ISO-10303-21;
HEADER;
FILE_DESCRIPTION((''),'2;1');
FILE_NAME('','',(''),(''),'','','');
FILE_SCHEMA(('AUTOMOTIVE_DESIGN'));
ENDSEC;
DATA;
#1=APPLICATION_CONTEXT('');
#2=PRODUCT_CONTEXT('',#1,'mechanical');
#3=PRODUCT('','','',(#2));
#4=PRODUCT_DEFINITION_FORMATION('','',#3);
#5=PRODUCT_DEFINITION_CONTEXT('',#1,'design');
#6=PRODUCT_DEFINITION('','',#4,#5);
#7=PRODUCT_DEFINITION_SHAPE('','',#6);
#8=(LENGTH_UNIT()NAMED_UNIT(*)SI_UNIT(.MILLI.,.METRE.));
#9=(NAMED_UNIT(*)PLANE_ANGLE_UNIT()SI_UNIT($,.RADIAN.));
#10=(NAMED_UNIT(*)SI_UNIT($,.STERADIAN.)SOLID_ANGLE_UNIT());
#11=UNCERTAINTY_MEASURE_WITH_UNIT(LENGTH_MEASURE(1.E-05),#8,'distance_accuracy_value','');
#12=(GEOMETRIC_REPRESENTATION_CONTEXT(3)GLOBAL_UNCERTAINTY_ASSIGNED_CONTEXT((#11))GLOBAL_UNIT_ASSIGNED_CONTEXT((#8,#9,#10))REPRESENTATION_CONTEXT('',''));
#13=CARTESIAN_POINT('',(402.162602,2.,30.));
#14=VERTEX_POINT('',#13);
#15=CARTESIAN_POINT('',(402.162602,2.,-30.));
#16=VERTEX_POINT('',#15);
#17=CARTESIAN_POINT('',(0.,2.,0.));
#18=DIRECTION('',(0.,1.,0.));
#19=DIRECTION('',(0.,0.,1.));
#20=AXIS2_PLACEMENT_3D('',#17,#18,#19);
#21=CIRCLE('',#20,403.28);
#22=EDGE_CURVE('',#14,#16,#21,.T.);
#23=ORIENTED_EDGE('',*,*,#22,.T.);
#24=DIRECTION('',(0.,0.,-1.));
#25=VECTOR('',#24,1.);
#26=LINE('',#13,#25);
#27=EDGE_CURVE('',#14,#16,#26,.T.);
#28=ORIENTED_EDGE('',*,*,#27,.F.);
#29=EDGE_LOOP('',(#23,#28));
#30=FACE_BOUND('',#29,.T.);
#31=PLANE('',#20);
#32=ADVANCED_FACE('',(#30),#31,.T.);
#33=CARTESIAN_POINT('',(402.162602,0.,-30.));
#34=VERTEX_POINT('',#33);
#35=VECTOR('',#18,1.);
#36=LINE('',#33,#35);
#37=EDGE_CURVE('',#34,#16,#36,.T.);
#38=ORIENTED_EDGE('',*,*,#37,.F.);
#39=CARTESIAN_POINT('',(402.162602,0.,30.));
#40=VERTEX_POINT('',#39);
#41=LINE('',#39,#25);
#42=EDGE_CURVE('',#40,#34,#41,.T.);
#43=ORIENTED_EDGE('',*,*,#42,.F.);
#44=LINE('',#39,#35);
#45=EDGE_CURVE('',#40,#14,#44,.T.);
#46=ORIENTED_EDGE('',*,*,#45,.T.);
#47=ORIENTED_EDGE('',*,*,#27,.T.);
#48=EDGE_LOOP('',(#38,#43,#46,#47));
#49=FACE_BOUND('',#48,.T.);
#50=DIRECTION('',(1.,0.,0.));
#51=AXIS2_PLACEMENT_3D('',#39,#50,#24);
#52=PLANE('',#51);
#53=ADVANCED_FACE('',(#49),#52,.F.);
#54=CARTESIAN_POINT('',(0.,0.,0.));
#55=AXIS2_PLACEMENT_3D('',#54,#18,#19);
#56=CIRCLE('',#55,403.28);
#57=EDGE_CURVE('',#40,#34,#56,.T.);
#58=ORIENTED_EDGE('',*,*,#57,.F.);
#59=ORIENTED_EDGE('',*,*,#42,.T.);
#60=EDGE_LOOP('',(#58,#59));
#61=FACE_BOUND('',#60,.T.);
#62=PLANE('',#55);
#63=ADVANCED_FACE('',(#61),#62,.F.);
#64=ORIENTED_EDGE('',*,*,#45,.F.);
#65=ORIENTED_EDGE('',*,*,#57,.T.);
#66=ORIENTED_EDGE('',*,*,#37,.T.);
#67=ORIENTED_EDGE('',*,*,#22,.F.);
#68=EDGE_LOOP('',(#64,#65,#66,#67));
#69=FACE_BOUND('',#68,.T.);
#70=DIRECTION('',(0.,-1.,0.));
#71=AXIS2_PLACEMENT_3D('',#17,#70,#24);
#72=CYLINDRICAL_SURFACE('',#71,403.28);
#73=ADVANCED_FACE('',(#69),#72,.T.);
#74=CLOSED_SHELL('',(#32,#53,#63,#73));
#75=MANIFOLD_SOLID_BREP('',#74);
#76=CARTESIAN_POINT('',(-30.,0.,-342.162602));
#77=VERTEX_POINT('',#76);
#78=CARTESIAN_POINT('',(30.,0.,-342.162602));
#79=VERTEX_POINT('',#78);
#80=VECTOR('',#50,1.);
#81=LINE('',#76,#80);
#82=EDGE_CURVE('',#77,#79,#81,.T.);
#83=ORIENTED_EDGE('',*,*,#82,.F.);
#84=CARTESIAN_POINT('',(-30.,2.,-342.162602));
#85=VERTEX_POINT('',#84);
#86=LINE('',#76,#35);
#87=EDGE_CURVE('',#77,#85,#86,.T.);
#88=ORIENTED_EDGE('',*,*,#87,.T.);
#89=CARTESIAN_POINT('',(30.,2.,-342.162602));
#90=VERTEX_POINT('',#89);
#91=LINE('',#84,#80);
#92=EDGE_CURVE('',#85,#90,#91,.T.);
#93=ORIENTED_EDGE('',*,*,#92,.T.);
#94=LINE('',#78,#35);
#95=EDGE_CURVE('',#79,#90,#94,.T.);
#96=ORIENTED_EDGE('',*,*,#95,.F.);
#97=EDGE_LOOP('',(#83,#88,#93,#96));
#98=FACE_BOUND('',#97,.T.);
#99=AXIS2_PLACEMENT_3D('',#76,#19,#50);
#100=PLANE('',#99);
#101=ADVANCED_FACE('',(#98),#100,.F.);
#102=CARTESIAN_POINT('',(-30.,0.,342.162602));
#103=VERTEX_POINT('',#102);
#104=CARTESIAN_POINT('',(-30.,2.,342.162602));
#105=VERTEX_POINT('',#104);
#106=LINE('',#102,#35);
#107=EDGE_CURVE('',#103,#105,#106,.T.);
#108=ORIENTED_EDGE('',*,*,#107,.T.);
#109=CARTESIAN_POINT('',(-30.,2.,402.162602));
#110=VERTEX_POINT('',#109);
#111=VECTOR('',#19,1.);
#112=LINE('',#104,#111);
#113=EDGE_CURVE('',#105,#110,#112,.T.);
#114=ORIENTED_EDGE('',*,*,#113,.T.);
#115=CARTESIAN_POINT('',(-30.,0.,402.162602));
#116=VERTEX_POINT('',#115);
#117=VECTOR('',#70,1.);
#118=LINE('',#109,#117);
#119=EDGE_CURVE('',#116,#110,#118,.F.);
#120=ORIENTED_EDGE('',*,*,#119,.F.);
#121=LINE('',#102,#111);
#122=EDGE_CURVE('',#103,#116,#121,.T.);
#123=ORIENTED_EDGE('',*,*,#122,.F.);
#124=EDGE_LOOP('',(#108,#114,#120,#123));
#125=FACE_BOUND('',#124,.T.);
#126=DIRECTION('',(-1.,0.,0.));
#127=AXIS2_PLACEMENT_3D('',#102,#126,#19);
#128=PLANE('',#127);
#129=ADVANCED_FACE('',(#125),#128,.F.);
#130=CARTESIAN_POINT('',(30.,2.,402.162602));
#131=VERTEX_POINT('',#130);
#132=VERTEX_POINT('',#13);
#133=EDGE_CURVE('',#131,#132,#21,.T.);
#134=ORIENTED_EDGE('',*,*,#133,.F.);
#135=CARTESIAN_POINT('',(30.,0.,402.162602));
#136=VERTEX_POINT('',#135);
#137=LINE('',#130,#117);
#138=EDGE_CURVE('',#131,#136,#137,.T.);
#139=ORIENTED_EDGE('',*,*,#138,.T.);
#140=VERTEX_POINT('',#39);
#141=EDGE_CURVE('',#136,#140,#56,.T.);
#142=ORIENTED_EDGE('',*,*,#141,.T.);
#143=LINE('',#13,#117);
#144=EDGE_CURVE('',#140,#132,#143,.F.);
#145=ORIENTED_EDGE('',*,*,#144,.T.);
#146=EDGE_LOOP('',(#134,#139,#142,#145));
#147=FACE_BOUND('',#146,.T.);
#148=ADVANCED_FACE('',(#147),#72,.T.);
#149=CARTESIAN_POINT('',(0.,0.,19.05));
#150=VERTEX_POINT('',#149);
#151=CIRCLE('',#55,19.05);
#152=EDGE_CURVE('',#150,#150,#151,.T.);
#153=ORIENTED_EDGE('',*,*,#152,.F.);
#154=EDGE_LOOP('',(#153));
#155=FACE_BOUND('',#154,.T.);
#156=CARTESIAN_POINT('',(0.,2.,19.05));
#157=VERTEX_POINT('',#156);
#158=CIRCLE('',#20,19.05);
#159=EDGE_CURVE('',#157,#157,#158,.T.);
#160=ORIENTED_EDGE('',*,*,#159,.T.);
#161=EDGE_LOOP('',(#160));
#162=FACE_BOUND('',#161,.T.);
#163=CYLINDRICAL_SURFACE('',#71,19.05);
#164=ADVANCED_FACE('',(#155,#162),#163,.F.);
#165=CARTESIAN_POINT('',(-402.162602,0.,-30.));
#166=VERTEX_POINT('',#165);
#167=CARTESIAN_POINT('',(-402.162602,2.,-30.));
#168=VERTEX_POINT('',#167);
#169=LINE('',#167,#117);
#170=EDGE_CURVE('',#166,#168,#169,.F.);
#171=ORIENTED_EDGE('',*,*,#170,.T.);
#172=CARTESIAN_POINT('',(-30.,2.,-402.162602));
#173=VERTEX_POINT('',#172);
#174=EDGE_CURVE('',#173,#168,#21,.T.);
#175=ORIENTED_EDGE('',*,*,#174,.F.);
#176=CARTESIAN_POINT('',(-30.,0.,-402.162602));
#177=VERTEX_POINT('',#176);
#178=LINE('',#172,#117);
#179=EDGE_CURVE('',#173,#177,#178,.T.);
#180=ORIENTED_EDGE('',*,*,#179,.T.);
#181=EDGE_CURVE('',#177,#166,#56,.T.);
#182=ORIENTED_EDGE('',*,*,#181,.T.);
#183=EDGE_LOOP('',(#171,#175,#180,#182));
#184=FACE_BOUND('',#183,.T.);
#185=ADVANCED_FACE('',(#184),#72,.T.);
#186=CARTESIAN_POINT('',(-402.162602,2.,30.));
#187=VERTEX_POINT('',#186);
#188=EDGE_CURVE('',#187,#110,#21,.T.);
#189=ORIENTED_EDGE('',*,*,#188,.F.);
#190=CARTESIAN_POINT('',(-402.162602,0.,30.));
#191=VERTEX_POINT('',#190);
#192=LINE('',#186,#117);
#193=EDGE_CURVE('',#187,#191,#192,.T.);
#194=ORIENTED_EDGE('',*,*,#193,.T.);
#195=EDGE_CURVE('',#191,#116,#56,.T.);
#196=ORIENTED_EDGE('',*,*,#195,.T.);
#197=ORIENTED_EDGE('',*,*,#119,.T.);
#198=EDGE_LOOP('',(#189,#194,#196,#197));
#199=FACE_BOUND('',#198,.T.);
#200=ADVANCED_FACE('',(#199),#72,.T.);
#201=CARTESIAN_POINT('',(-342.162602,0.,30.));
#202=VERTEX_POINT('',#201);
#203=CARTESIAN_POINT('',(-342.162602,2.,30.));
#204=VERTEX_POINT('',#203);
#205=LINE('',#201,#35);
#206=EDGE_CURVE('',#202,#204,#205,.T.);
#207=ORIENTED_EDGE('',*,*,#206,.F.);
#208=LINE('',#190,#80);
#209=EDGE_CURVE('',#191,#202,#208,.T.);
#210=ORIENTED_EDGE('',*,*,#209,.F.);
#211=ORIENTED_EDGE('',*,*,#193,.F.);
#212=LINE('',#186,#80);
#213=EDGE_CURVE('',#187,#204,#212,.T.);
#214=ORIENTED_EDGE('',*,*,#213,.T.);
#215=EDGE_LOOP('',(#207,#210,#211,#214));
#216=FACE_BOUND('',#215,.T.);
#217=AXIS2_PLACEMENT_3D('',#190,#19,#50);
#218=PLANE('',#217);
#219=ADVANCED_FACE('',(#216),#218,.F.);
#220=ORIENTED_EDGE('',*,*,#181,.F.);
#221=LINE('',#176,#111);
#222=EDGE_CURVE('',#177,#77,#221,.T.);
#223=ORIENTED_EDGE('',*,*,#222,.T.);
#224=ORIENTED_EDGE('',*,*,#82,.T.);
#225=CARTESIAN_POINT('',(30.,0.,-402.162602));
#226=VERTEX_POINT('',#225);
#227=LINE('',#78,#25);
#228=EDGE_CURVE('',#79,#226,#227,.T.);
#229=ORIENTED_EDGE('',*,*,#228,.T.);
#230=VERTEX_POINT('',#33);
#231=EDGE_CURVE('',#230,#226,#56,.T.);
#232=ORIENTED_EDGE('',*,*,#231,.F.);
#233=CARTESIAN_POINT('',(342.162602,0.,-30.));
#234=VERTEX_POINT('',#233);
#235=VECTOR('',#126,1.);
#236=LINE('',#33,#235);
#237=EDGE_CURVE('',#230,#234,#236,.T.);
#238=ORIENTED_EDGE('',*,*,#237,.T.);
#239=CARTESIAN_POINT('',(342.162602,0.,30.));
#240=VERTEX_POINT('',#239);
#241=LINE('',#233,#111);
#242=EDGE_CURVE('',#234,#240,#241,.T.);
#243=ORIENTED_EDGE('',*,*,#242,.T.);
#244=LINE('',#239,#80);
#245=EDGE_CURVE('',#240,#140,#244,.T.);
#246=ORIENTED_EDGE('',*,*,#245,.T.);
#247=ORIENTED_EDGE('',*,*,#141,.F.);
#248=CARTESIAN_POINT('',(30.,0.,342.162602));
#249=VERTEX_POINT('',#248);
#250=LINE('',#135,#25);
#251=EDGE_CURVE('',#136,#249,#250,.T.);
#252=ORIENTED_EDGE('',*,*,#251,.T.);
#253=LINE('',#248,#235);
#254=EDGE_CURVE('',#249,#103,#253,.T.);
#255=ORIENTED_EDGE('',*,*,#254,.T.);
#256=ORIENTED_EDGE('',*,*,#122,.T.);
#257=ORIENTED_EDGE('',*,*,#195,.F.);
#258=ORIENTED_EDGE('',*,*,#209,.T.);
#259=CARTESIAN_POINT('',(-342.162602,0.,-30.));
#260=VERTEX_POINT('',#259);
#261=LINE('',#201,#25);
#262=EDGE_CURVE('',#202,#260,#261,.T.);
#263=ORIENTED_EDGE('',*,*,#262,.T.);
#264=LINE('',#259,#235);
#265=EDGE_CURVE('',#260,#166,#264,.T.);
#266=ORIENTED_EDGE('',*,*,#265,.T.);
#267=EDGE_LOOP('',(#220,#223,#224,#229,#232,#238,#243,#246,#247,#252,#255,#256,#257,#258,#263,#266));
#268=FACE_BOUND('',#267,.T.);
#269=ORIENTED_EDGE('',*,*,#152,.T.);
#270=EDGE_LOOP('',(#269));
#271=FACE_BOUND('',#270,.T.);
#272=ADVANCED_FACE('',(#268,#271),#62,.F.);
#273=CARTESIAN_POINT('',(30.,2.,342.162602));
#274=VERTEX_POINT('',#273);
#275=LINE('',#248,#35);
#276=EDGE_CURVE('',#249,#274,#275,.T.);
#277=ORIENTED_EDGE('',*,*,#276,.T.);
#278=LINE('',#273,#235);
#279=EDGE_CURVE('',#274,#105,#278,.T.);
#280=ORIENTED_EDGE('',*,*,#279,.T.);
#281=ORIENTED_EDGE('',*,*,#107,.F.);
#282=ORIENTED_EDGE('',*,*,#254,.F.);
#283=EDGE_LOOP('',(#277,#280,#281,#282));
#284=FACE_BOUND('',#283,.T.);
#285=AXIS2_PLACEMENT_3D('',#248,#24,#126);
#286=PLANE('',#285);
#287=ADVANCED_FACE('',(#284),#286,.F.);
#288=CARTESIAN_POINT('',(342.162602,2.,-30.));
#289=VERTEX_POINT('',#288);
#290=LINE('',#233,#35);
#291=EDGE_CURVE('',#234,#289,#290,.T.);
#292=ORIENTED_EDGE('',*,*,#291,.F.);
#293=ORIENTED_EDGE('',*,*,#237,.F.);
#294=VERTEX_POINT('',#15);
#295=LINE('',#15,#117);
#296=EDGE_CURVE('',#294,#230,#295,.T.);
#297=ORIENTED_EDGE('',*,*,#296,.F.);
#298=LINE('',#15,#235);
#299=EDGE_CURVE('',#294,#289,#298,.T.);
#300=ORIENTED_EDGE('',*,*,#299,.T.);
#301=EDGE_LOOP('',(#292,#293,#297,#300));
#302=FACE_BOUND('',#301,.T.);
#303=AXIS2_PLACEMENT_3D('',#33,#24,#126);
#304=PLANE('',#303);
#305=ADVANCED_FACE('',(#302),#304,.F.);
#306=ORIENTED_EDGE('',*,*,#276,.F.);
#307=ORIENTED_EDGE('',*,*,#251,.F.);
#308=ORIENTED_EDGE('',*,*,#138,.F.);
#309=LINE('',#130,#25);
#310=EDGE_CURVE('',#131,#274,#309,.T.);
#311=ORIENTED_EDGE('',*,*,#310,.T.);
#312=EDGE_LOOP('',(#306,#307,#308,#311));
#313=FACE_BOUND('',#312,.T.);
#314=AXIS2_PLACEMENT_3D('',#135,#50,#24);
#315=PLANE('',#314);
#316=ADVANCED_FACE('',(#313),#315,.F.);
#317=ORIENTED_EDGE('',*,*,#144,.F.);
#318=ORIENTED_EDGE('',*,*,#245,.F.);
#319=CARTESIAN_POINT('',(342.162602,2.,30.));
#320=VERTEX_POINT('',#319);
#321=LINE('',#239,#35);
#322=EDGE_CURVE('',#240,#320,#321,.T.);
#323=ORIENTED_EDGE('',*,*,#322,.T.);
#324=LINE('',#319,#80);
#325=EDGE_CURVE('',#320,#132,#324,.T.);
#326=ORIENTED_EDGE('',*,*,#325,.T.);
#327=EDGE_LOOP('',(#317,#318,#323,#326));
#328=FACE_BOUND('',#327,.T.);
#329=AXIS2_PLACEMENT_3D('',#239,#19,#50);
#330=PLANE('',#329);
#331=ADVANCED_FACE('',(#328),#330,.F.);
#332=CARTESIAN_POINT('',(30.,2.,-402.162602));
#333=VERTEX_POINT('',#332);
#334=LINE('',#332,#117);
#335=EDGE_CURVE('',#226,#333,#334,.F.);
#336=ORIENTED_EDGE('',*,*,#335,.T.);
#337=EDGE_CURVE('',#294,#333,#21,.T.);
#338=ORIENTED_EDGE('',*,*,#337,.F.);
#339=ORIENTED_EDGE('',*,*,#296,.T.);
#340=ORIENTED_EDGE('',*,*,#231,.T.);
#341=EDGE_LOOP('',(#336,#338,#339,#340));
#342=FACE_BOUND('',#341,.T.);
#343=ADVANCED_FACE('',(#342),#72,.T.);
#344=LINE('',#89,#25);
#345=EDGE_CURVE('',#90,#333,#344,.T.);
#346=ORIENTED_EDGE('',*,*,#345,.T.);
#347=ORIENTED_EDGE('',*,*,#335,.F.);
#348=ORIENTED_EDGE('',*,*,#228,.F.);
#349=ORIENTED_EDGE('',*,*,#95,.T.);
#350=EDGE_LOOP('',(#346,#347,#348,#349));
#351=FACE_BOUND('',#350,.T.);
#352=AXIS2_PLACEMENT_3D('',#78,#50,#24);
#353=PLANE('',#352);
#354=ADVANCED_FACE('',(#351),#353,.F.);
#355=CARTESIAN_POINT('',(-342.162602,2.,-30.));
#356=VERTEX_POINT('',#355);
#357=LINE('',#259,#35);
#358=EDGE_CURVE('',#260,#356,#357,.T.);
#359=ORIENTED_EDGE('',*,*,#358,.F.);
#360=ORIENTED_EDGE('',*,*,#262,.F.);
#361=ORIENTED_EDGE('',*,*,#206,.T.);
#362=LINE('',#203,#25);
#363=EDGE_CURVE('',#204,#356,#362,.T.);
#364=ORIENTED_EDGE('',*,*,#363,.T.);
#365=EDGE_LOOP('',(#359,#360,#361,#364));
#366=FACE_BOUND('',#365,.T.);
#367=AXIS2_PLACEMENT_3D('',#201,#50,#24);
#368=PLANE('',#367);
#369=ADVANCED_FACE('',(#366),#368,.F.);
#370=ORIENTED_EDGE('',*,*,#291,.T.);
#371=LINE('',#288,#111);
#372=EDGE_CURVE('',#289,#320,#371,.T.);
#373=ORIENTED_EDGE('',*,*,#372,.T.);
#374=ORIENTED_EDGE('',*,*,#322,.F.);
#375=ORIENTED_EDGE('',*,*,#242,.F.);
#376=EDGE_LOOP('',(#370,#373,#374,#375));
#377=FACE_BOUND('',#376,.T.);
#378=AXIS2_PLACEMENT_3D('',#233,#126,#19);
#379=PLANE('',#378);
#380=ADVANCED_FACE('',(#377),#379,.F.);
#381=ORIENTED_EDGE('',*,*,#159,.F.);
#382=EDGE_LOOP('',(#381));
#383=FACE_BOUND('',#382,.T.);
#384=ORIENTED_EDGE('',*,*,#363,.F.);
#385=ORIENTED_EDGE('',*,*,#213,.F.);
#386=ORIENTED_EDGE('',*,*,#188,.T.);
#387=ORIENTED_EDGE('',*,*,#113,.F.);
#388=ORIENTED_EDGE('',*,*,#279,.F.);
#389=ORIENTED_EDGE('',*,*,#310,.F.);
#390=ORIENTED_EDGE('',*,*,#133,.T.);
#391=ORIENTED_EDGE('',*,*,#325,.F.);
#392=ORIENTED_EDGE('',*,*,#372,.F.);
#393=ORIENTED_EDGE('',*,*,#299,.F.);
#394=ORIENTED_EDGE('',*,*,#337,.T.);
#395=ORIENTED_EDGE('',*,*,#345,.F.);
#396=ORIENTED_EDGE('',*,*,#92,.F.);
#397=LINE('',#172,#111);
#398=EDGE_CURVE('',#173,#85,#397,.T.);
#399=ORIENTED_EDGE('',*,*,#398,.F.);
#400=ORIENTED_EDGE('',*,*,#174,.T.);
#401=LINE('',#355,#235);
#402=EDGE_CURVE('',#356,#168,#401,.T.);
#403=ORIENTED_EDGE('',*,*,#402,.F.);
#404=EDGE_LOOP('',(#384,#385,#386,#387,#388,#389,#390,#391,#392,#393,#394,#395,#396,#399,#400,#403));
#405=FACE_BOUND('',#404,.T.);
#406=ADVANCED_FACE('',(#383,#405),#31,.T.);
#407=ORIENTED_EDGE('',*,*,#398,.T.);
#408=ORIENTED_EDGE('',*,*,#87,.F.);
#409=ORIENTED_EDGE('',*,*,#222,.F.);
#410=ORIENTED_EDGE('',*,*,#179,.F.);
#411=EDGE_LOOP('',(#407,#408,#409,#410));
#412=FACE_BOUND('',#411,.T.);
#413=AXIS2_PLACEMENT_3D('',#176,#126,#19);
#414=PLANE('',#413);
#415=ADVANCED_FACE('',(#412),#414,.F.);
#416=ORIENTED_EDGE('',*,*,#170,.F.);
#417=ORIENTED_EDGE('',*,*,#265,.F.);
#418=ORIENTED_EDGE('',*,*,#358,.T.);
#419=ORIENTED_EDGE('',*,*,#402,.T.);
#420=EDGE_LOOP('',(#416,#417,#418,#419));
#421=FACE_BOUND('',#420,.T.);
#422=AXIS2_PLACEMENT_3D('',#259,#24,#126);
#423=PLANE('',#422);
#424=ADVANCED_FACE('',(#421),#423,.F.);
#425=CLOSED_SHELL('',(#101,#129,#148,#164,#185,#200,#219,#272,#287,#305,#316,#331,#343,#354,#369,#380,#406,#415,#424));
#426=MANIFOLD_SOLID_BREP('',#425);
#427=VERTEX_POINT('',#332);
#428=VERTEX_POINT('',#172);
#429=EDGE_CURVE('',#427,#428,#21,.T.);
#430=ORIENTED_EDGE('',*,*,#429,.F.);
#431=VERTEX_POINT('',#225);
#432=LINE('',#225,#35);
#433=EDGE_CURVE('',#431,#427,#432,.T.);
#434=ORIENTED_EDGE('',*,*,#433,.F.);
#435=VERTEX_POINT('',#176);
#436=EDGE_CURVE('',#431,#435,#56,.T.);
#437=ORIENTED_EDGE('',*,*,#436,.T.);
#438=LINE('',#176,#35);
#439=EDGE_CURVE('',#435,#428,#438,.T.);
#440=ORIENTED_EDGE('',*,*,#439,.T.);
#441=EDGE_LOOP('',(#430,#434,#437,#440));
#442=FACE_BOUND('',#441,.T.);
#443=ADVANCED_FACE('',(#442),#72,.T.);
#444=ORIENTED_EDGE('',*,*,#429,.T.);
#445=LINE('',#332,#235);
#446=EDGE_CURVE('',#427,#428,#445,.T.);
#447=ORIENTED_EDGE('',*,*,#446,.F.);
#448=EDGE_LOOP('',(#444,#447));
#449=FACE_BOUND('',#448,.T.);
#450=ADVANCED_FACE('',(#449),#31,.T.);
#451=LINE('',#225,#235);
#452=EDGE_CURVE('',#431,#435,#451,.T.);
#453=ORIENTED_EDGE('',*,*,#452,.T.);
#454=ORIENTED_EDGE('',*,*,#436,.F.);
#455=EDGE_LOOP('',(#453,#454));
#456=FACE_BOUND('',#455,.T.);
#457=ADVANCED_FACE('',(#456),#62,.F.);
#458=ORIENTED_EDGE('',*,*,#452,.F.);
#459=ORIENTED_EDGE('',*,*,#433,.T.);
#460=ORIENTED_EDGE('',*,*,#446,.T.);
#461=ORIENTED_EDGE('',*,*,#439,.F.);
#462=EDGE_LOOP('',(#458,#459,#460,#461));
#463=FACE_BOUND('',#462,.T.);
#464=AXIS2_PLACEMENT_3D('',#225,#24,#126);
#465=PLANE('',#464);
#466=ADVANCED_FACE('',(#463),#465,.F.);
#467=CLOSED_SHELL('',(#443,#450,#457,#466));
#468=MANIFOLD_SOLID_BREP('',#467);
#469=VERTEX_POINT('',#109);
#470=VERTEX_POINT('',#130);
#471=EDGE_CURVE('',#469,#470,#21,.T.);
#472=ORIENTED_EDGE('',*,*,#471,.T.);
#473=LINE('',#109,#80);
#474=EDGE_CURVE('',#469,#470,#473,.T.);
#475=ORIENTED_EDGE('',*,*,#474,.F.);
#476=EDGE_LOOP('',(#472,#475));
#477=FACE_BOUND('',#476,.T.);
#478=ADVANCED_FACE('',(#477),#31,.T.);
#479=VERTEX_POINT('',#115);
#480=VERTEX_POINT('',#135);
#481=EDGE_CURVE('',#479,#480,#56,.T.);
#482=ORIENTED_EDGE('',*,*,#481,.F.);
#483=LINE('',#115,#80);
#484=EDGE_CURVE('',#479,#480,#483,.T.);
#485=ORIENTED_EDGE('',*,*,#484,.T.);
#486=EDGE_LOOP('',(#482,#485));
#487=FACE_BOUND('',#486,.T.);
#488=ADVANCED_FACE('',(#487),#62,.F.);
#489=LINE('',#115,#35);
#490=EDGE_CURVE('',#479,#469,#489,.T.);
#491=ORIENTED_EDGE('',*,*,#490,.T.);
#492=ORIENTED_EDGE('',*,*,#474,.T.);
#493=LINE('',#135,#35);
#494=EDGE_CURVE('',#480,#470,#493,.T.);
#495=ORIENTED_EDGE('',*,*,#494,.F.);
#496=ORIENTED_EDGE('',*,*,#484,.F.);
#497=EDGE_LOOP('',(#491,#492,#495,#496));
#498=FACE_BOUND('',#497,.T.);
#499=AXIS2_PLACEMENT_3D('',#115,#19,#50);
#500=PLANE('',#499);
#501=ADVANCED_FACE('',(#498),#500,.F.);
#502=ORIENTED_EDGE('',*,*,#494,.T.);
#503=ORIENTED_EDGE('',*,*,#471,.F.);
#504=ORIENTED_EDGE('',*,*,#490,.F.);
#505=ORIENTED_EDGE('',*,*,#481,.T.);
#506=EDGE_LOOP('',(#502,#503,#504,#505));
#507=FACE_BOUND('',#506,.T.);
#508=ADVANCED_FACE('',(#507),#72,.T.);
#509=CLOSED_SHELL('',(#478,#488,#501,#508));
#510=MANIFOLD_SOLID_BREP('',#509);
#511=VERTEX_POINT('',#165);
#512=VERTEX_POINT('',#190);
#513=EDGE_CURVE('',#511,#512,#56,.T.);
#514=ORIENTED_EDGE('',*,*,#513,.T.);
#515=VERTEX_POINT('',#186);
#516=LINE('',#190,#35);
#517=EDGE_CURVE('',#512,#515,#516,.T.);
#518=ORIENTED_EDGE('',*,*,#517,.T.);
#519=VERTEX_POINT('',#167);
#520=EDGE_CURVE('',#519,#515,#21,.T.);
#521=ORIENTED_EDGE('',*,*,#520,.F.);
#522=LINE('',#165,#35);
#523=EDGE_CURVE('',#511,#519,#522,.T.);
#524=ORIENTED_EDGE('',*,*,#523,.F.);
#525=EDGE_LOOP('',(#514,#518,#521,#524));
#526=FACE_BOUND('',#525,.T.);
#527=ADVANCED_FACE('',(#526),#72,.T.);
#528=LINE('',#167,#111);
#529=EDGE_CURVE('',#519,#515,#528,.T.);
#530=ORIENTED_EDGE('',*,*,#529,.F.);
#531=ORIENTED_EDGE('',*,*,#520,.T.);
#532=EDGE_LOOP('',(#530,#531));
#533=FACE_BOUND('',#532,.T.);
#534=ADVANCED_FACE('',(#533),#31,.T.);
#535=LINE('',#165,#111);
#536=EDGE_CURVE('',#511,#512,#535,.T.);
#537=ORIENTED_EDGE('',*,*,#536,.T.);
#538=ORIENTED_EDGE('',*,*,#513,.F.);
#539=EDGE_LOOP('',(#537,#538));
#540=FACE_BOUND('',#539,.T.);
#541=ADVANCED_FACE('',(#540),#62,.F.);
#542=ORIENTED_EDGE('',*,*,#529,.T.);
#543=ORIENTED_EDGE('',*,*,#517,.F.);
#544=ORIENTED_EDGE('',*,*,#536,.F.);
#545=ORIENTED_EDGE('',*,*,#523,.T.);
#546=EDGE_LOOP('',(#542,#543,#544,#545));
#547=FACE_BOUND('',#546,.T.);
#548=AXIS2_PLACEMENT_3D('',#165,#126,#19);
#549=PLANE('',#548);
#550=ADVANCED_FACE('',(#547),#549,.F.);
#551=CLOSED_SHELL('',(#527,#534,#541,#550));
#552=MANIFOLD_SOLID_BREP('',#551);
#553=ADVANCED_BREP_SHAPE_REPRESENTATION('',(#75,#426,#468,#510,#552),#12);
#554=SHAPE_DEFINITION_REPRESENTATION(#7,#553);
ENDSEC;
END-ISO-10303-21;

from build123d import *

# Parameters (mm, degrees)
CROQUIS1_R              = 403.28
CROQUIS1_R_2            = 19.05
SALIENTE_EXTRUIR1_DEPTH = 2
CROQUIS3_W              = 60
CROQUIS3_H              = 60
CORTAR_EXTRUIR1_DEPTH   = 3


with BuildPart() as part:
    # Croquis1 → Saliente-Extruir1 (new body)
    with BuildSketch(Plane(origin=(0, 0, 0), x_dir=(1, 0, 0), z_dir=(0, 1, 0))):
        Circle(CROQUIS1_R)
        Circle(CROQUIS1_R_2, mode=Mode.SUBTRACT)
    extrude(amount=SALIENTE_EXTRUIR1_DEPTH)

    # Croquis3 → Cortar-Extruir1 (cut, through all)
    with BuildSketch(Plane(origin=(0, 2, 0), x_dir=(1, 0, 0), z_dir=(0, 1, 0))):
        with Locations((372.162601941, 0)):
            Rectangle(CROQUIS3_W, CROQUIS3_H)
        with Locations((0, -372.162601941)):
            Rectangle(CROQUIS3_W, CROQUIS3_H)
        with Locations((-372.162601941, 0)):
            Rectangle(CROQUIS3_W, CROQUIS3_H)
        with Locations((0, 372.162601941)):
            Rectangle(CROQUIS3_W, CROQUIS3_H)
    extrude(amount=-CORTAR_EXTRUIR1_DEPTH, mode=Mode.SUBTRACT)


solid = part.part
